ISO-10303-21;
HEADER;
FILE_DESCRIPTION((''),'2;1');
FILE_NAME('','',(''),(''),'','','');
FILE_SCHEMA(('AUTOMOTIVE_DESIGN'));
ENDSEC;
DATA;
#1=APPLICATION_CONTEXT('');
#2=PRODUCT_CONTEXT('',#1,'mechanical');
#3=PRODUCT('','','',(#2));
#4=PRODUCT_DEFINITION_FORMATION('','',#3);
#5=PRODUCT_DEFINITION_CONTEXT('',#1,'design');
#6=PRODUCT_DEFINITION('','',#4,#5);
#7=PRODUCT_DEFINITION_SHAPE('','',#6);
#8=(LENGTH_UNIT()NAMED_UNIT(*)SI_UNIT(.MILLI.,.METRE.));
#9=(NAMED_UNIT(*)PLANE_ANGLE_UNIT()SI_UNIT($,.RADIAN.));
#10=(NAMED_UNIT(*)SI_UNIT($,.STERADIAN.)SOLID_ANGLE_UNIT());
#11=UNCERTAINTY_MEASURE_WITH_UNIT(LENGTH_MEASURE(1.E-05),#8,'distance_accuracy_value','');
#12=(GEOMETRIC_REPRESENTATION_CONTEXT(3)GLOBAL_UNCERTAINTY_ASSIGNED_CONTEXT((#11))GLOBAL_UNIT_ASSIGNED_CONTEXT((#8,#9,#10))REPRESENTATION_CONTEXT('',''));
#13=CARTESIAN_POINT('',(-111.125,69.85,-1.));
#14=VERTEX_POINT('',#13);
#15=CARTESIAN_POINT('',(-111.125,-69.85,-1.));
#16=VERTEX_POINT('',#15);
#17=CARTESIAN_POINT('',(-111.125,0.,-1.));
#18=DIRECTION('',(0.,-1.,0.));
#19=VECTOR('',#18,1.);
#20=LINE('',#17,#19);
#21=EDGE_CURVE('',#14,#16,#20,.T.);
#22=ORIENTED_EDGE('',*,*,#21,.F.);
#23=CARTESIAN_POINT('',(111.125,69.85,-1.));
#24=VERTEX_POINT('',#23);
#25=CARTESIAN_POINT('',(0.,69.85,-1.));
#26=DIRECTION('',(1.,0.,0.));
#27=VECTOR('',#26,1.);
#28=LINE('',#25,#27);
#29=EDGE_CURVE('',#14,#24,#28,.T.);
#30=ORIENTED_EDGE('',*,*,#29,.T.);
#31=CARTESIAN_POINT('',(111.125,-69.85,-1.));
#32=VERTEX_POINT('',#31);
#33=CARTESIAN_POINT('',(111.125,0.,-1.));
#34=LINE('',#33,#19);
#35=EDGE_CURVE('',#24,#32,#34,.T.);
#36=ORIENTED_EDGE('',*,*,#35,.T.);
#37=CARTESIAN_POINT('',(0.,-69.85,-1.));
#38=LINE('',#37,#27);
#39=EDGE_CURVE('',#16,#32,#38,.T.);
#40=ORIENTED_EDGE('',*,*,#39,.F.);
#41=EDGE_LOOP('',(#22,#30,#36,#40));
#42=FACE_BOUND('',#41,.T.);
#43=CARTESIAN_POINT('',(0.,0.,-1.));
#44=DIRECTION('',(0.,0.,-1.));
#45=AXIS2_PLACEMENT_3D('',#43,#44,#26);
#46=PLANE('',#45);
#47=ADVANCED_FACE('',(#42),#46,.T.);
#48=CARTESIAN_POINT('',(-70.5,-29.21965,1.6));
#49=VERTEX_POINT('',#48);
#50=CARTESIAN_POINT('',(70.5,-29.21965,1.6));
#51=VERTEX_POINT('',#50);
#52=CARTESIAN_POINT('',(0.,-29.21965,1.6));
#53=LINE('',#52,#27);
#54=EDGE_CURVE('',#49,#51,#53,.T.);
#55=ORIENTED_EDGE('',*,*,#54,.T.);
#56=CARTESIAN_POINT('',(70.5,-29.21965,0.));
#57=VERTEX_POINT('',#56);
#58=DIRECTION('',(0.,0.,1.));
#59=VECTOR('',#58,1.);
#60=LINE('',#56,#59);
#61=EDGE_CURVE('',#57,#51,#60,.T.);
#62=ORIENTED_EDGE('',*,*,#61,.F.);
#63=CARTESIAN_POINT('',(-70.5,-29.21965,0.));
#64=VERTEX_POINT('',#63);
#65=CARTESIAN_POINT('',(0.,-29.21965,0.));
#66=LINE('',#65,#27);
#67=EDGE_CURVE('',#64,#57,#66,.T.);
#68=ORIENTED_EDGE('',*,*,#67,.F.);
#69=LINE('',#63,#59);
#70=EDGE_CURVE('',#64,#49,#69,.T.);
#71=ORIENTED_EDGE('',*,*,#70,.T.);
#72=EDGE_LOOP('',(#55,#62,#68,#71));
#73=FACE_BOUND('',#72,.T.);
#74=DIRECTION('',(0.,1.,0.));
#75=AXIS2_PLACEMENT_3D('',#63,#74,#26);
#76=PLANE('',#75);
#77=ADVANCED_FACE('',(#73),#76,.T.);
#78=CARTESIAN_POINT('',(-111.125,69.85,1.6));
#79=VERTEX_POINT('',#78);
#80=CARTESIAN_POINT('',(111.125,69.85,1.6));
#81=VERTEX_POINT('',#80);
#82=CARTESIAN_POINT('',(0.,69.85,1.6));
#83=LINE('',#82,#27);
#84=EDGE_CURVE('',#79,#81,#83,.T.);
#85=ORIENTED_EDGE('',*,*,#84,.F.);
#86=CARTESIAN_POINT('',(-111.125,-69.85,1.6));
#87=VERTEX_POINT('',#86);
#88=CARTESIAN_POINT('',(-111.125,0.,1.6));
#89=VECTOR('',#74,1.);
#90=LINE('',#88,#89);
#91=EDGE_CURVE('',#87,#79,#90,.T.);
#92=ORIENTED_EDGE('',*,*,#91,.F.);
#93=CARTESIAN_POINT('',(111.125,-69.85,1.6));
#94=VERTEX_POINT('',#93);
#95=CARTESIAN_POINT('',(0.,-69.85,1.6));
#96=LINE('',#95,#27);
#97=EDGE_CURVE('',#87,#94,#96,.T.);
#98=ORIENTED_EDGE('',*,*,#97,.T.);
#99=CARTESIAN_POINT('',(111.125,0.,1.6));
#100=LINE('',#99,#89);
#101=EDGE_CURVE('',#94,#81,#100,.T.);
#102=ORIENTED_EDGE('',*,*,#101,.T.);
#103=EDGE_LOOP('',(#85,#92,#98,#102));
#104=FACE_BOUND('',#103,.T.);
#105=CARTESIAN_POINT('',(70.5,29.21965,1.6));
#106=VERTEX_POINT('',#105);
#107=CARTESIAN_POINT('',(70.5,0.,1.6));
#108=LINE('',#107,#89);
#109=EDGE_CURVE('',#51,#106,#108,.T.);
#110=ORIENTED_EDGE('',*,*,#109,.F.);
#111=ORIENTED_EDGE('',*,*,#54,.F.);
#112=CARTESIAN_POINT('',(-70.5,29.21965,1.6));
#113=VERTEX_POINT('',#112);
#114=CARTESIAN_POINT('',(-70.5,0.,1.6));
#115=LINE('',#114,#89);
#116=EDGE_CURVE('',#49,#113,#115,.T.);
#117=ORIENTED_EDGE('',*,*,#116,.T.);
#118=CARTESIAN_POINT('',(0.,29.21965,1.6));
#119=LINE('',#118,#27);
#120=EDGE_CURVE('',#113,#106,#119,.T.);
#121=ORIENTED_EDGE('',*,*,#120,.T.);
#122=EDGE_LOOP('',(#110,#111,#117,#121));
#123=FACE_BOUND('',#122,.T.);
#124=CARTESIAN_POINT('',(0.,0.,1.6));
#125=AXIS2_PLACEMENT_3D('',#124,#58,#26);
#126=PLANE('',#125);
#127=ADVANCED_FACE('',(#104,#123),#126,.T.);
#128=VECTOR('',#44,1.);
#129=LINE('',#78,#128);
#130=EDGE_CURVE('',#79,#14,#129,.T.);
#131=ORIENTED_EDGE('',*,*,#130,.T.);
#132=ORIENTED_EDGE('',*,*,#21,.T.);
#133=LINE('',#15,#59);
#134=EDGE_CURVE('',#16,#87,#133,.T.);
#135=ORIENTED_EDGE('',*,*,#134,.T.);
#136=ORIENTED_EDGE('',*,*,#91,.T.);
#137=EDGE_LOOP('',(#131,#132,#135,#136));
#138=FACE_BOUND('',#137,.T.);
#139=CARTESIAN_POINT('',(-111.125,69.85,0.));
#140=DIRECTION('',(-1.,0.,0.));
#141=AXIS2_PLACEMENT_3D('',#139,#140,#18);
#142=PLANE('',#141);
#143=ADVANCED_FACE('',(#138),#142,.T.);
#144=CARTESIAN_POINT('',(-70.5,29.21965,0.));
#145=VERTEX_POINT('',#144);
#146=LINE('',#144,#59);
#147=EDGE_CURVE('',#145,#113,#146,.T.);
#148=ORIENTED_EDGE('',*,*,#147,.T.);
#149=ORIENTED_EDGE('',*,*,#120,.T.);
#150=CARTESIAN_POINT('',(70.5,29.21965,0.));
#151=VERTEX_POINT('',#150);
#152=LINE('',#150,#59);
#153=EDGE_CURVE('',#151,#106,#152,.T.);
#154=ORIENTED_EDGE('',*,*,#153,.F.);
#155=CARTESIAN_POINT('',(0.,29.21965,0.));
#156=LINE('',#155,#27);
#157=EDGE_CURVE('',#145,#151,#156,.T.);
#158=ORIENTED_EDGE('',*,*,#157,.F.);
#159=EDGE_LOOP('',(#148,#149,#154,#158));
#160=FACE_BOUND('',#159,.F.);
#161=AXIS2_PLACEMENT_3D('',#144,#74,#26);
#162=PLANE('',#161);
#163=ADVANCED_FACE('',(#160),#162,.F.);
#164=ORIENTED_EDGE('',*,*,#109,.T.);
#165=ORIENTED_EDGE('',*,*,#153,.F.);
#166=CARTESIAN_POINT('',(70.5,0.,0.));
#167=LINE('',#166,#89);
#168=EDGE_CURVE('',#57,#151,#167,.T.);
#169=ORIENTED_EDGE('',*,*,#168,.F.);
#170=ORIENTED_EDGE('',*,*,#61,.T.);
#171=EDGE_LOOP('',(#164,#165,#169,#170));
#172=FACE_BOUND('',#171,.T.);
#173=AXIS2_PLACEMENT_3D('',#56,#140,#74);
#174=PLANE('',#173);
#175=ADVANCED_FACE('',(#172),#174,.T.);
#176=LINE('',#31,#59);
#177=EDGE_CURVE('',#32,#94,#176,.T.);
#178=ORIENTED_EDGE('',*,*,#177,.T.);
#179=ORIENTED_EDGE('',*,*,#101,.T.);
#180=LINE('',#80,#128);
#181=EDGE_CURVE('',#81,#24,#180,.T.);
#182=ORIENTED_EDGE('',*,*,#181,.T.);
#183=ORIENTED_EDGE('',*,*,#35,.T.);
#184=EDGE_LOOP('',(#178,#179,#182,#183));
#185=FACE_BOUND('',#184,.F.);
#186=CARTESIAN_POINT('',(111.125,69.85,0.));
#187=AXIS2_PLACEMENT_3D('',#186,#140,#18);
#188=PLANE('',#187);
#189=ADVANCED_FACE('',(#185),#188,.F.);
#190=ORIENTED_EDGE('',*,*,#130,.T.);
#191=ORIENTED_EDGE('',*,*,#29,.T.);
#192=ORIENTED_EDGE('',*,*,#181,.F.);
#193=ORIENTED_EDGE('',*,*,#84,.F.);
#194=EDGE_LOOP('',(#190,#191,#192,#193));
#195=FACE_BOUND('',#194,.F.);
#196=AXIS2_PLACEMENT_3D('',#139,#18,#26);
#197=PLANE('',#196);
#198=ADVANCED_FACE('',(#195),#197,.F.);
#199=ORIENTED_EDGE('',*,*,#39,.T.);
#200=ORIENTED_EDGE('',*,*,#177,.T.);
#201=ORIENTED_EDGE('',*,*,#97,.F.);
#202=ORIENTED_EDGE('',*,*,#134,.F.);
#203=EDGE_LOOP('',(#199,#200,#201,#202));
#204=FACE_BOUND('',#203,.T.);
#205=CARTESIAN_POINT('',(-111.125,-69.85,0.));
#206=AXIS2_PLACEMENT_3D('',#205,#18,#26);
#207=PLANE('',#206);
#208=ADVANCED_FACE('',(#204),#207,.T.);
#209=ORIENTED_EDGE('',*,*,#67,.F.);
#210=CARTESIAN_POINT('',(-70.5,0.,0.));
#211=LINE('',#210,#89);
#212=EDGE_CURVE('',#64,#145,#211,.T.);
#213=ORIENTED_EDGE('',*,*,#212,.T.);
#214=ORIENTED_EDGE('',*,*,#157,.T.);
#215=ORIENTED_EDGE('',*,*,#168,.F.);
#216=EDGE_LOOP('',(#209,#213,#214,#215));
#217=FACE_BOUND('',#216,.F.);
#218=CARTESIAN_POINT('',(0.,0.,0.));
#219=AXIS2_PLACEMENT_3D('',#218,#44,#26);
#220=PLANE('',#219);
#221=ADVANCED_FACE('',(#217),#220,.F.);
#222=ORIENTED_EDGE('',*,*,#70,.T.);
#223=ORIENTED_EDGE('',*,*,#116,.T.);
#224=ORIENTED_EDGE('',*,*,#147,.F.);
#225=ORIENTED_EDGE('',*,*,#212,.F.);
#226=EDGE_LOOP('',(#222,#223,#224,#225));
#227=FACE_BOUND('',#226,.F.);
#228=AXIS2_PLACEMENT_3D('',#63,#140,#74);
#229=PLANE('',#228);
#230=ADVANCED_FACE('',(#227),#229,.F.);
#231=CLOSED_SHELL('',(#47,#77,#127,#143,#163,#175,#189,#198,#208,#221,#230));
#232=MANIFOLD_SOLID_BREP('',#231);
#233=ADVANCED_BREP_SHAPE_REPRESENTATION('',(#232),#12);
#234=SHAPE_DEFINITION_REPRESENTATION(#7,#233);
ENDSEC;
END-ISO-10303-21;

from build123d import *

# Parameters (mm, degrees)
SKETCH_W     = 222.25
SKETCH_H     = 139.7
SKETCH_W_2   = 141
SKETCH_H_2   = 58.4393
PAD_DEPTH    = 1.6
SKETCH001_W  = 222.25
SKETCH001_H  = 139.7
PAD001_DEPTH = 1


with BuildPart() as part:
    # Sketch → Pad (new body)
    with BuildSketch(Plane.XY):
        Rectangle(SKETCH_W, SKETCH_H)
        Rectangle(SKETCH_W_2, SKETCH_H_2, mode=Mode.SUBTRACT)
    extrude(amount=PAD_DEPTH)

    # Sketch001 (on Face9 of Pad) → Pad001 (join)
    with BuildSketch(Plane(origin=(0, 0, 0), x_dir=(1, 0, 0), z_dir=(0, 0, -1))):
        Rectangle(SKETCH001_W, SKETCH001_H)
    extrude(amount=PAD001_DEPTH)


solid = part.part
